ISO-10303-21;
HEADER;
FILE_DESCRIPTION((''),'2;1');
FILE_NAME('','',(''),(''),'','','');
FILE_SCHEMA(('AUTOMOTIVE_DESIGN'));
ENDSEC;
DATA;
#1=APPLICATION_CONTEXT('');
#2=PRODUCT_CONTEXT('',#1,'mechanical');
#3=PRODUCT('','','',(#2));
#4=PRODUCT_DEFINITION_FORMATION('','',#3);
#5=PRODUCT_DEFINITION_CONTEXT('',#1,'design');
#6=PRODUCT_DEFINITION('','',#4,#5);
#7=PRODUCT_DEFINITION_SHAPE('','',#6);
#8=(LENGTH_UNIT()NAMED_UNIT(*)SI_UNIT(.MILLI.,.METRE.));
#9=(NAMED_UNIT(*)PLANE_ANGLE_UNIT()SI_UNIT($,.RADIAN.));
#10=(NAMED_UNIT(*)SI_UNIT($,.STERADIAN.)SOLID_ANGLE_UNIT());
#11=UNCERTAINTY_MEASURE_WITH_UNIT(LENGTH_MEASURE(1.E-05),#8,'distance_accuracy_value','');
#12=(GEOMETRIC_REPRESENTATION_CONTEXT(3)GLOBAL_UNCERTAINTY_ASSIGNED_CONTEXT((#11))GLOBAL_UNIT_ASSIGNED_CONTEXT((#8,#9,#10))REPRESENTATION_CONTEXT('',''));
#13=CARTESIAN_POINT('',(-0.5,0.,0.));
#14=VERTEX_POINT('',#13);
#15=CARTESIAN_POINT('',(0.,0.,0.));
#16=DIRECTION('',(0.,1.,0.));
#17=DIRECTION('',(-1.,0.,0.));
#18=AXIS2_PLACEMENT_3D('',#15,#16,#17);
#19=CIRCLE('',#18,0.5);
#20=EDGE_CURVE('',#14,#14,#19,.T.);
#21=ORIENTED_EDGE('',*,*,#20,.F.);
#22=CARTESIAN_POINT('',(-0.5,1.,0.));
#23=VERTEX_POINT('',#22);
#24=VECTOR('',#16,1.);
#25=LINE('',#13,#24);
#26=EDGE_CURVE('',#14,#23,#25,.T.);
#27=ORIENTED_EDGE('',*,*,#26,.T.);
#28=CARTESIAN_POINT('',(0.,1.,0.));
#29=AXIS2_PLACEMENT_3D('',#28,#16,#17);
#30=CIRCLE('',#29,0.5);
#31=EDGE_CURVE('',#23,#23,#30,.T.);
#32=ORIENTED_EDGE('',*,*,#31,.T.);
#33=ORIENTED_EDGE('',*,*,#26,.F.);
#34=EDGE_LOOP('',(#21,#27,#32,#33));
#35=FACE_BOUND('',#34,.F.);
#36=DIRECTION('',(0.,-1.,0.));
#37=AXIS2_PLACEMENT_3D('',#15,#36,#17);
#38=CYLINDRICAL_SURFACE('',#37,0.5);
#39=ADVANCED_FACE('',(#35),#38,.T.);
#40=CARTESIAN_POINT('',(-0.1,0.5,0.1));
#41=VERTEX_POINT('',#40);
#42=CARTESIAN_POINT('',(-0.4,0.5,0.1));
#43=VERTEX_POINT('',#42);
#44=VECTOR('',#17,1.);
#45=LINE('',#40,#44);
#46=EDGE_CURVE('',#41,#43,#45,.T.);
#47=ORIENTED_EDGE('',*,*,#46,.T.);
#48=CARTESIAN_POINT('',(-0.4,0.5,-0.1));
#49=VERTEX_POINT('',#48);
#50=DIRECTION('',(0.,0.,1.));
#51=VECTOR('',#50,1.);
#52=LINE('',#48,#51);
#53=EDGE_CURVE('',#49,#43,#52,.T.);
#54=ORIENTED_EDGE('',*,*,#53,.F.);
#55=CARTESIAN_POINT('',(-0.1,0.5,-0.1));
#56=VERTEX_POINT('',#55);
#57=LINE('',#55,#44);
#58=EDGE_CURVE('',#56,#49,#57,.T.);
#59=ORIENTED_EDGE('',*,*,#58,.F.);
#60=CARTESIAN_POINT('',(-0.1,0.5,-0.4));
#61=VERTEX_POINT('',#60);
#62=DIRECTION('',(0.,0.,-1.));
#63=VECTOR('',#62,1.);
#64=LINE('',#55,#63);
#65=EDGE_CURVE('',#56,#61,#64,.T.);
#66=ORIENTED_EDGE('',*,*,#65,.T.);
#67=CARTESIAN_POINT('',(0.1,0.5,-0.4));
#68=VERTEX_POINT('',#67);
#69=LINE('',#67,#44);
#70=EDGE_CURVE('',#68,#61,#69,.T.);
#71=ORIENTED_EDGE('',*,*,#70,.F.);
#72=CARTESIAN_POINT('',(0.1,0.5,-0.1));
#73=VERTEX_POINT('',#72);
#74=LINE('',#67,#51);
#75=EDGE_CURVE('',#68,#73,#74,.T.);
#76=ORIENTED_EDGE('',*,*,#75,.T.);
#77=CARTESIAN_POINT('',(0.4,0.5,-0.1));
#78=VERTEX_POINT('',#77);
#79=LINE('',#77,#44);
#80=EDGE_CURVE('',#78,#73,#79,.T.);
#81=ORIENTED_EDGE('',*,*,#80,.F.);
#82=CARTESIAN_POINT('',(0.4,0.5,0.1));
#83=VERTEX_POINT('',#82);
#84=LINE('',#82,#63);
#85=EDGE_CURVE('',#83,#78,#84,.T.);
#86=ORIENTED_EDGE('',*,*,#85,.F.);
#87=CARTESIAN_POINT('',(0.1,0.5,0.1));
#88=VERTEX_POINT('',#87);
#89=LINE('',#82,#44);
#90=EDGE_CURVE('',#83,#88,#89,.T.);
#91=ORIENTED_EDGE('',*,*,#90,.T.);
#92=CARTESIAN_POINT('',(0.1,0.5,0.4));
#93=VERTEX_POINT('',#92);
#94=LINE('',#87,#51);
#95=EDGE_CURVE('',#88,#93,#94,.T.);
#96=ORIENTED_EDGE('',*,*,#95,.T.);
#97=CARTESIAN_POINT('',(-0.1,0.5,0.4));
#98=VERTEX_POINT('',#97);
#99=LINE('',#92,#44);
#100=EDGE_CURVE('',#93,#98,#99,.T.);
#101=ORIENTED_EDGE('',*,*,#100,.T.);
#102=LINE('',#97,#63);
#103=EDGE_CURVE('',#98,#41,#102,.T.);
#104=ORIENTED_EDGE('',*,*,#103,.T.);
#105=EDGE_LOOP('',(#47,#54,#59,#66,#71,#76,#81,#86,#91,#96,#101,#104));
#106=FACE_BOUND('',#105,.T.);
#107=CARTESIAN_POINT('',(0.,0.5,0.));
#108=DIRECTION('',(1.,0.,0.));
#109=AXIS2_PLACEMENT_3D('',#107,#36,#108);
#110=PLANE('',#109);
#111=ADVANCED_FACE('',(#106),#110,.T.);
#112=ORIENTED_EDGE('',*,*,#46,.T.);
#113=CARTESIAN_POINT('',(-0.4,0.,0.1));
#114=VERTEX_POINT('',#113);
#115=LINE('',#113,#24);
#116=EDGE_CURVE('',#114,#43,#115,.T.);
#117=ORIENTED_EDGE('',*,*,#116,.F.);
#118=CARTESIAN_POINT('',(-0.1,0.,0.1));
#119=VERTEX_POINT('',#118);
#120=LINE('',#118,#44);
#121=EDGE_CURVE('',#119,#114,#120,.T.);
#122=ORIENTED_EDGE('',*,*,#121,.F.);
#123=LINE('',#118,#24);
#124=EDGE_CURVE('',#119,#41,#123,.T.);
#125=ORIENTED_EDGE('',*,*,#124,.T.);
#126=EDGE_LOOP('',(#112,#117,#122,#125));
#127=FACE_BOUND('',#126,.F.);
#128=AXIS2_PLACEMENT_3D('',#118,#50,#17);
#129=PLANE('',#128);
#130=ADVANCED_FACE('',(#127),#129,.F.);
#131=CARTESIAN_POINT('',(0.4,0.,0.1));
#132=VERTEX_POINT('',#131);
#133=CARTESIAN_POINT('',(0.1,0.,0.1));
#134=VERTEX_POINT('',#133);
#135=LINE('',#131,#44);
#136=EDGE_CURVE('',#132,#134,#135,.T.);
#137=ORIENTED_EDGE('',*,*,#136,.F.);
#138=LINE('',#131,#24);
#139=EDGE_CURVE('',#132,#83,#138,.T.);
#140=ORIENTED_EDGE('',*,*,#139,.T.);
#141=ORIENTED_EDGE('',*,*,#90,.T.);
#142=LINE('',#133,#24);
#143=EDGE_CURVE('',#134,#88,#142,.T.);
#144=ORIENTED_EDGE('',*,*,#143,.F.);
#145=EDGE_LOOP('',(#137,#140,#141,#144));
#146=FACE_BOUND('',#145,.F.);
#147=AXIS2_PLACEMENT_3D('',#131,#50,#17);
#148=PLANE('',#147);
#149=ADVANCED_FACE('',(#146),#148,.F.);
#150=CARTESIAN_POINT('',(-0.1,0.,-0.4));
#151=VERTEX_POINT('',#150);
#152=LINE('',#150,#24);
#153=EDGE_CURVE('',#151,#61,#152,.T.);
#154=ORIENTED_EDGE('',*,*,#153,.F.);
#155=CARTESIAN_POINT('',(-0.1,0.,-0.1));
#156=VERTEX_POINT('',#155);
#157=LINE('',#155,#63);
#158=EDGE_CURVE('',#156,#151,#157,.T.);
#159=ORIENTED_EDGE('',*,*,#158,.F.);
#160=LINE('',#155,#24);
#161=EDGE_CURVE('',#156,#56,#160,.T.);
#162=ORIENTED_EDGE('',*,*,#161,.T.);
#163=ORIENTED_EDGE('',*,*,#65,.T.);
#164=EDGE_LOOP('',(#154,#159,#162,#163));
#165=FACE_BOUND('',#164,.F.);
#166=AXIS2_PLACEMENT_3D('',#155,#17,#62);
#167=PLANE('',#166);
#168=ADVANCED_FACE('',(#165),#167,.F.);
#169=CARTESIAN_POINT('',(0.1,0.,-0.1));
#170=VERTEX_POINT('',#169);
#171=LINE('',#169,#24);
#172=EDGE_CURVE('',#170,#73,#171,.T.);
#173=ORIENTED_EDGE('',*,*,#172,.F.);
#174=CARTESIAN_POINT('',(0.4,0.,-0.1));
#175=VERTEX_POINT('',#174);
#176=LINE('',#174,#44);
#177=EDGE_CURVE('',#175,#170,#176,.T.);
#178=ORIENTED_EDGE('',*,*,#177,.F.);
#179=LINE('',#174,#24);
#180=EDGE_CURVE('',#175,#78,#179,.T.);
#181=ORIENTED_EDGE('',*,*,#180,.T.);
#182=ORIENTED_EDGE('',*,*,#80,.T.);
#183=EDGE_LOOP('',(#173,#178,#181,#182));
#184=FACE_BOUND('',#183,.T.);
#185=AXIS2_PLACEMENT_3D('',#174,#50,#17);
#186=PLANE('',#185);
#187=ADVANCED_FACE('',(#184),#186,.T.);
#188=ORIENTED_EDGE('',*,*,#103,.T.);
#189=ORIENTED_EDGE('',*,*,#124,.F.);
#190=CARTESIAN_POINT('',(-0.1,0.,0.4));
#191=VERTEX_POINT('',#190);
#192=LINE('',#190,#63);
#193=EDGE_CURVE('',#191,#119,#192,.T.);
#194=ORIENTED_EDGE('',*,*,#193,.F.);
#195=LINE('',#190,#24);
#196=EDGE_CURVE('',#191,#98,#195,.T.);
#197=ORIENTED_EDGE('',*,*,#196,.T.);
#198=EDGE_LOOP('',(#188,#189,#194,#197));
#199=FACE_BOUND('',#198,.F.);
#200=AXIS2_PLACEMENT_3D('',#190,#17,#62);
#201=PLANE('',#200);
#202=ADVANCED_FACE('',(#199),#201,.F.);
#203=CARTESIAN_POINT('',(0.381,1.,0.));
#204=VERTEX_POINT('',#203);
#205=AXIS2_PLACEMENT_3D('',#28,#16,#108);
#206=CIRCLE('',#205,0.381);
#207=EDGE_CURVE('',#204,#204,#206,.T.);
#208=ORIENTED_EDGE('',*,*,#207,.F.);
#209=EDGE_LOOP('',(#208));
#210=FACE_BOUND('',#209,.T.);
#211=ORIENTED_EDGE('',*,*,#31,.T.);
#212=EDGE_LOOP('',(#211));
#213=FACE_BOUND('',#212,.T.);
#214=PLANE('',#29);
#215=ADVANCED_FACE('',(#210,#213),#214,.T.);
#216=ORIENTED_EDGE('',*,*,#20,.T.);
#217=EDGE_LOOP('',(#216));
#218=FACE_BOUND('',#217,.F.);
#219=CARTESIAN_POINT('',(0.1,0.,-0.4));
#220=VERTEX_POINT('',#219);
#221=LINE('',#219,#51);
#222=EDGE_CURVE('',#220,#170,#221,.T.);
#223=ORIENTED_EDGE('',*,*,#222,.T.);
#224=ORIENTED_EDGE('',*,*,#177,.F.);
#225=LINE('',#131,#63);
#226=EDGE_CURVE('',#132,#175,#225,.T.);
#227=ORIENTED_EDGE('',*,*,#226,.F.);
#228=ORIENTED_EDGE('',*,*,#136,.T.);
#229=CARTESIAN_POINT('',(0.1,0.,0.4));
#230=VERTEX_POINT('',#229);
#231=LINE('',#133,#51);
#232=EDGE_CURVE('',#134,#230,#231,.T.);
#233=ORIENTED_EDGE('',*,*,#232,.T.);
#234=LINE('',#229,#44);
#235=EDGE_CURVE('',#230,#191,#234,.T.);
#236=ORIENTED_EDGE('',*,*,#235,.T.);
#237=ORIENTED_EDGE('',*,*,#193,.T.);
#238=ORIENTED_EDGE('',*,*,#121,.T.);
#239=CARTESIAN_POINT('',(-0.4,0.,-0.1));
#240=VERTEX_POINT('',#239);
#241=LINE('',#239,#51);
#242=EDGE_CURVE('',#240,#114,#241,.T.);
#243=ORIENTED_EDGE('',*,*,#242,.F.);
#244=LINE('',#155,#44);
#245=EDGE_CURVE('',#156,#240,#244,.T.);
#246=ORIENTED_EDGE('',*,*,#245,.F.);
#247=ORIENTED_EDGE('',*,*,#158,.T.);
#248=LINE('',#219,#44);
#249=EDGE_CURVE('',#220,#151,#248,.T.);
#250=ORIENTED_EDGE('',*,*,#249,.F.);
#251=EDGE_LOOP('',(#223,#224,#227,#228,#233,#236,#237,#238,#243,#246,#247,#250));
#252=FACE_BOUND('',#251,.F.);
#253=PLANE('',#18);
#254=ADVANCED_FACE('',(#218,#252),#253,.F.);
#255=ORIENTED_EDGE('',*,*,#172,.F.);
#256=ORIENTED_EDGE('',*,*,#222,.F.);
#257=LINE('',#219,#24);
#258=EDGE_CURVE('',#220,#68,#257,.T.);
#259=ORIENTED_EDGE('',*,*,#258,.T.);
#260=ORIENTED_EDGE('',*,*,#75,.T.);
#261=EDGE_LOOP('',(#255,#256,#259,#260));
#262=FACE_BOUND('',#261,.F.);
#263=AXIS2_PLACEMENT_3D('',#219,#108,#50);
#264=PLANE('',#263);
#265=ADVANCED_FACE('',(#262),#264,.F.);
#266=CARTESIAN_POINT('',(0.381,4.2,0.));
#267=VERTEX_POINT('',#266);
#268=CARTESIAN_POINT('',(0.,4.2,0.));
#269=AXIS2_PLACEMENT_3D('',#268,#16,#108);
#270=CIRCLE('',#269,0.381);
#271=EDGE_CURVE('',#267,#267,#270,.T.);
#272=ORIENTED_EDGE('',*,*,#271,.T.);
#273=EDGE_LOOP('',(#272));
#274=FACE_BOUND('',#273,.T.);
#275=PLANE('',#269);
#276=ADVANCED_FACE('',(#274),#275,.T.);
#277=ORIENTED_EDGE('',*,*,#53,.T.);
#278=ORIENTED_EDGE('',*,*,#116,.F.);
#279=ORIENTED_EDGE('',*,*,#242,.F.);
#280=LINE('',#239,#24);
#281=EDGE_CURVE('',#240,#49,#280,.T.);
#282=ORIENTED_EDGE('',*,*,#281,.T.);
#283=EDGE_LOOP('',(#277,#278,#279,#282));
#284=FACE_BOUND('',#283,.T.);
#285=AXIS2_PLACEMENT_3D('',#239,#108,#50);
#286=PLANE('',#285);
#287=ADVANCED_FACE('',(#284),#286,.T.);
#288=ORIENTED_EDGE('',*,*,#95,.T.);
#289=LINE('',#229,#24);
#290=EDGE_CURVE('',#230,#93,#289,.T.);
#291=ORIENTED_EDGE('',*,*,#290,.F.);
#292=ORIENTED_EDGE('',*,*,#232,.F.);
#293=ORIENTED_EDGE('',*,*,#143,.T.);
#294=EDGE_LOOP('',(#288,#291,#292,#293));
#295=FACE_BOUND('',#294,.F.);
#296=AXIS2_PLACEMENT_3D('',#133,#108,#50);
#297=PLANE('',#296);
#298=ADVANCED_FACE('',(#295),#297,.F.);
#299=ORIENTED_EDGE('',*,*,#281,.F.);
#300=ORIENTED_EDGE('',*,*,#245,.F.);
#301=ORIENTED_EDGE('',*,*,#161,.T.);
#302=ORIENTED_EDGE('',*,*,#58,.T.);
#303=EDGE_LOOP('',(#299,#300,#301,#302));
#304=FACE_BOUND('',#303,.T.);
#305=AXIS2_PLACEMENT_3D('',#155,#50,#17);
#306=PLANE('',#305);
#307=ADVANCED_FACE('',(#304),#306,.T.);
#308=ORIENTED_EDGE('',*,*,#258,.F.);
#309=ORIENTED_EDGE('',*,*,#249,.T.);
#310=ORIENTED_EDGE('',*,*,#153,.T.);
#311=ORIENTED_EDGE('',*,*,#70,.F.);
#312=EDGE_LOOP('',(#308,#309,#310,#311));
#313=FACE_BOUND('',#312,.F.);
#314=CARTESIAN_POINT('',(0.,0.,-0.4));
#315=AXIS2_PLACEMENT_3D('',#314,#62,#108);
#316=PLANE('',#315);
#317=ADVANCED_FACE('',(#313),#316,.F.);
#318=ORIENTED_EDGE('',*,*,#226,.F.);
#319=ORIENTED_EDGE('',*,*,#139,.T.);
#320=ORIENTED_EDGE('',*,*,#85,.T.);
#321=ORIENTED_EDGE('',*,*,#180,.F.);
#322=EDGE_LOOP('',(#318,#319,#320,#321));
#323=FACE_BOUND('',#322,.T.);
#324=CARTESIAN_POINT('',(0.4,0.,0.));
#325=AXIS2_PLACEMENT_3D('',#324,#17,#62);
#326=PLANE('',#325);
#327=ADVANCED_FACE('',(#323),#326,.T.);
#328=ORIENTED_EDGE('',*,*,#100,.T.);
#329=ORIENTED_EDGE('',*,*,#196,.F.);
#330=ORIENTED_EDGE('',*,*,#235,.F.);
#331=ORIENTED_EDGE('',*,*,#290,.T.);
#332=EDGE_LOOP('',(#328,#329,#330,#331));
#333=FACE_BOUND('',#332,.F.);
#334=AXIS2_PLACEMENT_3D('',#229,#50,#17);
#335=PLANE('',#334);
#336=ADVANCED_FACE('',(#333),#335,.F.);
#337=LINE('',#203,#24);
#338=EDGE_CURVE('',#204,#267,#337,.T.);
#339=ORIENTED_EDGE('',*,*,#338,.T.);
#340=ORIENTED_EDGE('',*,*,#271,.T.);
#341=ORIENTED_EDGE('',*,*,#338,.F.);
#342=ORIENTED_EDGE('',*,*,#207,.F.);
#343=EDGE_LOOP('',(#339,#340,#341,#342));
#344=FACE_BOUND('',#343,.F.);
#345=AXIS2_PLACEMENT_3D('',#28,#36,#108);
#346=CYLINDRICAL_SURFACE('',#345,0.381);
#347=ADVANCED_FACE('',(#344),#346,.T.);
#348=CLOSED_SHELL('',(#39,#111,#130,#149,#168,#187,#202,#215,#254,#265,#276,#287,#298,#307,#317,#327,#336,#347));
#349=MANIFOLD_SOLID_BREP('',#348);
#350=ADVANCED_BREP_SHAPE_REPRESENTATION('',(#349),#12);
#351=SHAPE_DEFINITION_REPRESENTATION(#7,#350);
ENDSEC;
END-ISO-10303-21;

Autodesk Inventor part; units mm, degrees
ref_plane "YZ Plane" through (0, 0, 0) normal (1, 0, 0) x (0, 1, 0)
ref_plane "XZ Plane" through (0, 0, 0) normal (0, 1, 0) x (-1, 0, 0)
ref_plane "XY Plane" through (0, 0, 0) normal (0, 0, 1) x (1, 0, 0)
sketch "Sketch1" plane through (0, 0, 0) normal (0, 1, 0) x (-1, 0, 0)
  circle A0 centre (0, 0) radius 0.5
  dimension "d0" = 1
extrude "Extrusion1" add sketch "Sketch1" along normal blind 1
sketch "Sketch2" plane through (0, 1, 0) normal (0, 1, 0) x (1, 0, 0)
  circle A0 centre (0, 0) radius 0.381
  dimension "d3" = 0.762
extrude "Extrusion2" add sketch "Sketch2" along normal blind 3.2
sketch "Sketch3" plane through (0, 0, 0) normal (0, -1, 0) x (1, 0, 0)
  line L0 (0.4, 0) -> (0.4, -0.1)
  line L1 (-0.4, -0.1) -> (-0.4, 0)
  line L2 (0.4, 0) -> (0.4, 0.1)
  line L3 (-0.4, 0.1) -> (-0.4, 0)
  line L4 (0, -0.4) -> (0.1, -0.4)
  line L5 (0.1, 0.4) -> (-0.1, 0.4)
  line L6 (-0.1, -0.4) -> (0, -0.4)
  line L7 (-0.1, 0.4) -> (-0.1, 0.1)
  line L8 (-0.1, -0.1) -> (-0.1, -0.4)
  line L9 (0.4, 0.1) -> (0.1, 0.1)
  line L10 (-0.1, 0.1) -> (-0.4, 0.1)
  line L11 (0.1, -0.4) -> (0.1, -0.1)
  line L12 (0.1, 0.1) -> (0.1, 0.4)
  line L13 (0.4, -0.1) -> (0.1, -0.1)
  line L14 (-0.1, -0.1) -> (-0.4, -0.1)
  point P0 (0, 0)
  dimension "d7" = 0.8
  dimension "d8" = 0.1
  dimension "d9" = 0.8
  dimension "d10" = 0.1
  dimension "d11" = 0.1
  dimension "d12" = 0.8
  dimension "d13" = 0.2
  dimension "d14" = 0.8
extrude "Extrusion3" cut sketch "Sketch3" against normal blind 0.5
properties part number "armscrew1" material "Iron, Gray"
